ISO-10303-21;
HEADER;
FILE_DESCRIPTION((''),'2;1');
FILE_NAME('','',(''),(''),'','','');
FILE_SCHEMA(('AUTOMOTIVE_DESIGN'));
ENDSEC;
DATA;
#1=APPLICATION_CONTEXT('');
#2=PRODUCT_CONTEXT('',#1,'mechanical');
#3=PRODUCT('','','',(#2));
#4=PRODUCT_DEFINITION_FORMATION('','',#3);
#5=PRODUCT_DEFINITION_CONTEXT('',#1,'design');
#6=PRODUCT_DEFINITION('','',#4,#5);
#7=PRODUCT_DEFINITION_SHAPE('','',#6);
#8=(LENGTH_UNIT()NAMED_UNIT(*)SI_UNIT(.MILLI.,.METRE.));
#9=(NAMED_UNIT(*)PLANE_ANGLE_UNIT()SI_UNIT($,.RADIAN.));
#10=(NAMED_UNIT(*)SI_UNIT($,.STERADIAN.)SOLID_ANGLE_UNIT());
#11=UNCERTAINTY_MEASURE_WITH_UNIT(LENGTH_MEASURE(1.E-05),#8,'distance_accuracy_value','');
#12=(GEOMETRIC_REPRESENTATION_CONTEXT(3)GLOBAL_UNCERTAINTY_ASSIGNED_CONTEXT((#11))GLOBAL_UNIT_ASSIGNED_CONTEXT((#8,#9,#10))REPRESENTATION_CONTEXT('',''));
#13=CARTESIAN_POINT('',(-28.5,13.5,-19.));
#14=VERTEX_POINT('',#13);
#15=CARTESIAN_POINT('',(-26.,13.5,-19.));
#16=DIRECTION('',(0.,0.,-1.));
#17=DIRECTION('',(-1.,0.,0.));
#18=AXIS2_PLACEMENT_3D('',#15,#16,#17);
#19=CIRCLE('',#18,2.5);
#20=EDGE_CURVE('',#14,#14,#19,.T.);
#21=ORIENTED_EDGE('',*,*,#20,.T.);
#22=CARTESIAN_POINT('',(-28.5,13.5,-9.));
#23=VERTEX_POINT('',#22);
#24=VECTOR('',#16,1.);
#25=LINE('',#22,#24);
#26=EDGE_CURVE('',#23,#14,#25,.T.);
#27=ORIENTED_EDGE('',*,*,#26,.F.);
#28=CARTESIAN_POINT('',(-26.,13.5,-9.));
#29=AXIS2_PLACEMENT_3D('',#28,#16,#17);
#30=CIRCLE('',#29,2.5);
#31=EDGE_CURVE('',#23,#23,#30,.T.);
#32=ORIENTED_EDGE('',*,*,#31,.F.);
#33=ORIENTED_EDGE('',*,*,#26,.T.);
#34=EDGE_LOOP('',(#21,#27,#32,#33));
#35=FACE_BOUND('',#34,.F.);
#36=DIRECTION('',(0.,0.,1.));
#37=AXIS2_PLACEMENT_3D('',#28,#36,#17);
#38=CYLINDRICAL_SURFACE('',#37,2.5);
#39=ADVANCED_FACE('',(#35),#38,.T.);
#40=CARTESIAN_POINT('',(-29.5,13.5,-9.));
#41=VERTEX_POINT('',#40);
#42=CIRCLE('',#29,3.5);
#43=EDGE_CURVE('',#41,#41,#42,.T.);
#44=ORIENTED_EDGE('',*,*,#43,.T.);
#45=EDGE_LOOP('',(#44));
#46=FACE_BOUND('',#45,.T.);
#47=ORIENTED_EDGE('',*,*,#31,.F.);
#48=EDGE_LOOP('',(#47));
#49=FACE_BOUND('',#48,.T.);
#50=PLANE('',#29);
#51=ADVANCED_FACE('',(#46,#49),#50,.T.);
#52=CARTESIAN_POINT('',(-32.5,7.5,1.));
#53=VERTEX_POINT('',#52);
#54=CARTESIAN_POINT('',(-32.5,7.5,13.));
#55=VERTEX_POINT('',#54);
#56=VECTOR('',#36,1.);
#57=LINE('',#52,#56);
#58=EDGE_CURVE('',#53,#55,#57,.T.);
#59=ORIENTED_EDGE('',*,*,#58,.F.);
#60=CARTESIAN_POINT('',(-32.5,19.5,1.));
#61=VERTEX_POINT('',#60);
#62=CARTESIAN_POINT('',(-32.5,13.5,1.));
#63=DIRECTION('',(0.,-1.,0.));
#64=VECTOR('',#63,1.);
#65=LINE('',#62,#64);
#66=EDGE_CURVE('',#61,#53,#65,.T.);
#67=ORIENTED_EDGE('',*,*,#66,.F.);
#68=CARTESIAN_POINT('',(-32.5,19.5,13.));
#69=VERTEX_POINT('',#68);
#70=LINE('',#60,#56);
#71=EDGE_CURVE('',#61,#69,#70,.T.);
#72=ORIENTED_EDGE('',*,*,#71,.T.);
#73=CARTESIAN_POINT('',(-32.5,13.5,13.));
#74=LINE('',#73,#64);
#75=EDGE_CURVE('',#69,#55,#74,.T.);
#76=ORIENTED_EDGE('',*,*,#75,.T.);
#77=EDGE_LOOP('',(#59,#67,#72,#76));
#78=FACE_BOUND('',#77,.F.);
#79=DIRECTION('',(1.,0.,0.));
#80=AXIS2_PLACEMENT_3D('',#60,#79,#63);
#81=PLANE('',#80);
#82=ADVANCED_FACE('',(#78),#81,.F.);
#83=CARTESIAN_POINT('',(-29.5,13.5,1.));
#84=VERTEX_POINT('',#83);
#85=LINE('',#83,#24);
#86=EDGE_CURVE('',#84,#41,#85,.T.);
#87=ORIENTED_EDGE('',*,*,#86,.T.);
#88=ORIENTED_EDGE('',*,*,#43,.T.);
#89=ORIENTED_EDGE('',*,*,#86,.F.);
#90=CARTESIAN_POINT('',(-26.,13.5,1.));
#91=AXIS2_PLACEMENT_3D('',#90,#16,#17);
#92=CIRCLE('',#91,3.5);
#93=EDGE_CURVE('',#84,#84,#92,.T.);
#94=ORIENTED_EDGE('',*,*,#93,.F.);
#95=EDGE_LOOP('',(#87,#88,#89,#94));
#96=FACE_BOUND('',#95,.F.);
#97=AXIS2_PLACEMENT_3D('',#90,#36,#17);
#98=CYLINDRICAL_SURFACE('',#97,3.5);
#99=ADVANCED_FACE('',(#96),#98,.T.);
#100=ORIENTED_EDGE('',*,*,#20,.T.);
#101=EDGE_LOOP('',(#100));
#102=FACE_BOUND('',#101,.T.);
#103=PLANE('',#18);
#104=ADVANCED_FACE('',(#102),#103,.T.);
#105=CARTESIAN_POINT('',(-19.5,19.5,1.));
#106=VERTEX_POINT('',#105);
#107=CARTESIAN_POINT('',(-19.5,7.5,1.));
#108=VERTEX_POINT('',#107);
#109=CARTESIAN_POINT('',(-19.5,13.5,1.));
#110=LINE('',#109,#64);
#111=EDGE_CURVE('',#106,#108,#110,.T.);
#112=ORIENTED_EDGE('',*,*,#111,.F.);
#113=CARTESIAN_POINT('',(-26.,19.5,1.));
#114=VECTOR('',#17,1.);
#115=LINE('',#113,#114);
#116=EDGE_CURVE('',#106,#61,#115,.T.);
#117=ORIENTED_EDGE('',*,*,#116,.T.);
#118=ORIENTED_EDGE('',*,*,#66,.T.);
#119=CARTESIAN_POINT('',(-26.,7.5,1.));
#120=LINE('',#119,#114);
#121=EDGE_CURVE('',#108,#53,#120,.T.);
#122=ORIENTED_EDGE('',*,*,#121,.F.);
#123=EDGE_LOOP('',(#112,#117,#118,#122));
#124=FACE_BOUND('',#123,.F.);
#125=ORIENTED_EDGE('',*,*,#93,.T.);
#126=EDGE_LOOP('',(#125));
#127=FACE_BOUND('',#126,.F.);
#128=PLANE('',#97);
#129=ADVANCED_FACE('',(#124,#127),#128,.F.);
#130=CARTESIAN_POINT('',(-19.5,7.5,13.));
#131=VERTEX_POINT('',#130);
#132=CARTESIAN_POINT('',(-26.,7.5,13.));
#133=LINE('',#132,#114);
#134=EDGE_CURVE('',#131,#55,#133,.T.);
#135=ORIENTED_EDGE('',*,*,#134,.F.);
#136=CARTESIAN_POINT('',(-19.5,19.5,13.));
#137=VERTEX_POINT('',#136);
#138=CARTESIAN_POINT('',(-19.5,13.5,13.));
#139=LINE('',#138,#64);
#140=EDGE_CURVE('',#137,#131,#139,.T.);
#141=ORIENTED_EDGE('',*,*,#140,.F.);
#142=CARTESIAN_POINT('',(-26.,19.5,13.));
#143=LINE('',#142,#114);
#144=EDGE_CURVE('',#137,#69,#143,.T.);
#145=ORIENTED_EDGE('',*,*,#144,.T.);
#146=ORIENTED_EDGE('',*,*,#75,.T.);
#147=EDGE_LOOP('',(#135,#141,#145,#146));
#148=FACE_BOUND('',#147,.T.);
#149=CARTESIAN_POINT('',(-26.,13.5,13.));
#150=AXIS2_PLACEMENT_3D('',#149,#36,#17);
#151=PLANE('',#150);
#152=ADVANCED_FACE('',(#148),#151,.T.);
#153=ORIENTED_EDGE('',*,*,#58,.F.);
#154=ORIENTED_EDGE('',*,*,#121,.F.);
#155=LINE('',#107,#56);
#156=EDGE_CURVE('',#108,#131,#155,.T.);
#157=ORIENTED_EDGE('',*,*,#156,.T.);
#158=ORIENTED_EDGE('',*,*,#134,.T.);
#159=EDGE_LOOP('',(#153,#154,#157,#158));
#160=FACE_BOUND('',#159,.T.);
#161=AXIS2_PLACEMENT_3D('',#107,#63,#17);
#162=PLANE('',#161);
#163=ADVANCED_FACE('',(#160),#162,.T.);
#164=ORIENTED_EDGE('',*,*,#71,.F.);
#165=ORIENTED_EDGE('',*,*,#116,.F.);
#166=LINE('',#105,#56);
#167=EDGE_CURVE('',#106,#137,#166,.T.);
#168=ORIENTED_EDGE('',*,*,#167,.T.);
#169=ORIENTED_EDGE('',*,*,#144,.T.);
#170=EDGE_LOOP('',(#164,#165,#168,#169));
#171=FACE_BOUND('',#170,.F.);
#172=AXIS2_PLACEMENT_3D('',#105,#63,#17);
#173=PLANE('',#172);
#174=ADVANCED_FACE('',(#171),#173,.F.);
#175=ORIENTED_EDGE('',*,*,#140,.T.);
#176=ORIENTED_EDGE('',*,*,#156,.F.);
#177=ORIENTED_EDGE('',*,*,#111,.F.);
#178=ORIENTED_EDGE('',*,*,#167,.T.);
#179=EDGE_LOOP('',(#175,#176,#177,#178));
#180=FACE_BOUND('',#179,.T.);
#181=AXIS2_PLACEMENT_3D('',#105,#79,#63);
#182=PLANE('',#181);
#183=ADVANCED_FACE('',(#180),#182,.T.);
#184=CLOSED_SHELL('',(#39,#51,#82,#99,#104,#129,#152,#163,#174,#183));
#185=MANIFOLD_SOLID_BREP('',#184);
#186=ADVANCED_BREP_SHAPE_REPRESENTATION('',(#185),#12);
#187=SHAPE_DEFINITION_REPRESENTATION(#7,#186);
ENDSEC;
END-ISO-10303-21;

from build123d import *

# Parameters (mm, degrees)
SKETCH029_R             = 3.5
PAD029_DEPTH            = 10
SKETCH030_R             = 2.5
PAD030_DEPTH            = 10
SKETCH031_W             = 13
SKETCH031_H             = 12
PAD031_DEPTH            = 12
BODY011_PLACEMENT_ANGLE = 180


with BuildPart() as part:
    # Sketch029 → Pad029 (new body)
    with BuildSketch(Plane.XY):
        Circle(SKETCH029_R)
    extrude(amount=PAD029_DEPTH)

    # Sketch030 (on Face3 of Pad029) → Pad030 (join)
    with BuildSketch(Plane.XY.offset(10)):
        Circle(SKETCH030_R)
    extrude(amount=PAD030_DEPTH)

    # Sketch031 (on Face2 of Pad030) → Pad031 (join)
    with BuildSketch(Plane(origin=(0, 0, 0), x_dir=(1, 0, 0), z_dir=(0, 0, -1))):
        Rectangle(SKETCH031_W, SKETCH031_H)
    extrude(amount=PAD031_DEPTH)


with BuildPart() as part_1:
    # Body011 placement: moved
    add(part.part.moved(Location((-26, 13.5, 1))).rotate(Axis((-26, 13.5, 1), (0, 1, 0)), BODY011_PLACEMENT_ANGLE))


solid = part_1.part
